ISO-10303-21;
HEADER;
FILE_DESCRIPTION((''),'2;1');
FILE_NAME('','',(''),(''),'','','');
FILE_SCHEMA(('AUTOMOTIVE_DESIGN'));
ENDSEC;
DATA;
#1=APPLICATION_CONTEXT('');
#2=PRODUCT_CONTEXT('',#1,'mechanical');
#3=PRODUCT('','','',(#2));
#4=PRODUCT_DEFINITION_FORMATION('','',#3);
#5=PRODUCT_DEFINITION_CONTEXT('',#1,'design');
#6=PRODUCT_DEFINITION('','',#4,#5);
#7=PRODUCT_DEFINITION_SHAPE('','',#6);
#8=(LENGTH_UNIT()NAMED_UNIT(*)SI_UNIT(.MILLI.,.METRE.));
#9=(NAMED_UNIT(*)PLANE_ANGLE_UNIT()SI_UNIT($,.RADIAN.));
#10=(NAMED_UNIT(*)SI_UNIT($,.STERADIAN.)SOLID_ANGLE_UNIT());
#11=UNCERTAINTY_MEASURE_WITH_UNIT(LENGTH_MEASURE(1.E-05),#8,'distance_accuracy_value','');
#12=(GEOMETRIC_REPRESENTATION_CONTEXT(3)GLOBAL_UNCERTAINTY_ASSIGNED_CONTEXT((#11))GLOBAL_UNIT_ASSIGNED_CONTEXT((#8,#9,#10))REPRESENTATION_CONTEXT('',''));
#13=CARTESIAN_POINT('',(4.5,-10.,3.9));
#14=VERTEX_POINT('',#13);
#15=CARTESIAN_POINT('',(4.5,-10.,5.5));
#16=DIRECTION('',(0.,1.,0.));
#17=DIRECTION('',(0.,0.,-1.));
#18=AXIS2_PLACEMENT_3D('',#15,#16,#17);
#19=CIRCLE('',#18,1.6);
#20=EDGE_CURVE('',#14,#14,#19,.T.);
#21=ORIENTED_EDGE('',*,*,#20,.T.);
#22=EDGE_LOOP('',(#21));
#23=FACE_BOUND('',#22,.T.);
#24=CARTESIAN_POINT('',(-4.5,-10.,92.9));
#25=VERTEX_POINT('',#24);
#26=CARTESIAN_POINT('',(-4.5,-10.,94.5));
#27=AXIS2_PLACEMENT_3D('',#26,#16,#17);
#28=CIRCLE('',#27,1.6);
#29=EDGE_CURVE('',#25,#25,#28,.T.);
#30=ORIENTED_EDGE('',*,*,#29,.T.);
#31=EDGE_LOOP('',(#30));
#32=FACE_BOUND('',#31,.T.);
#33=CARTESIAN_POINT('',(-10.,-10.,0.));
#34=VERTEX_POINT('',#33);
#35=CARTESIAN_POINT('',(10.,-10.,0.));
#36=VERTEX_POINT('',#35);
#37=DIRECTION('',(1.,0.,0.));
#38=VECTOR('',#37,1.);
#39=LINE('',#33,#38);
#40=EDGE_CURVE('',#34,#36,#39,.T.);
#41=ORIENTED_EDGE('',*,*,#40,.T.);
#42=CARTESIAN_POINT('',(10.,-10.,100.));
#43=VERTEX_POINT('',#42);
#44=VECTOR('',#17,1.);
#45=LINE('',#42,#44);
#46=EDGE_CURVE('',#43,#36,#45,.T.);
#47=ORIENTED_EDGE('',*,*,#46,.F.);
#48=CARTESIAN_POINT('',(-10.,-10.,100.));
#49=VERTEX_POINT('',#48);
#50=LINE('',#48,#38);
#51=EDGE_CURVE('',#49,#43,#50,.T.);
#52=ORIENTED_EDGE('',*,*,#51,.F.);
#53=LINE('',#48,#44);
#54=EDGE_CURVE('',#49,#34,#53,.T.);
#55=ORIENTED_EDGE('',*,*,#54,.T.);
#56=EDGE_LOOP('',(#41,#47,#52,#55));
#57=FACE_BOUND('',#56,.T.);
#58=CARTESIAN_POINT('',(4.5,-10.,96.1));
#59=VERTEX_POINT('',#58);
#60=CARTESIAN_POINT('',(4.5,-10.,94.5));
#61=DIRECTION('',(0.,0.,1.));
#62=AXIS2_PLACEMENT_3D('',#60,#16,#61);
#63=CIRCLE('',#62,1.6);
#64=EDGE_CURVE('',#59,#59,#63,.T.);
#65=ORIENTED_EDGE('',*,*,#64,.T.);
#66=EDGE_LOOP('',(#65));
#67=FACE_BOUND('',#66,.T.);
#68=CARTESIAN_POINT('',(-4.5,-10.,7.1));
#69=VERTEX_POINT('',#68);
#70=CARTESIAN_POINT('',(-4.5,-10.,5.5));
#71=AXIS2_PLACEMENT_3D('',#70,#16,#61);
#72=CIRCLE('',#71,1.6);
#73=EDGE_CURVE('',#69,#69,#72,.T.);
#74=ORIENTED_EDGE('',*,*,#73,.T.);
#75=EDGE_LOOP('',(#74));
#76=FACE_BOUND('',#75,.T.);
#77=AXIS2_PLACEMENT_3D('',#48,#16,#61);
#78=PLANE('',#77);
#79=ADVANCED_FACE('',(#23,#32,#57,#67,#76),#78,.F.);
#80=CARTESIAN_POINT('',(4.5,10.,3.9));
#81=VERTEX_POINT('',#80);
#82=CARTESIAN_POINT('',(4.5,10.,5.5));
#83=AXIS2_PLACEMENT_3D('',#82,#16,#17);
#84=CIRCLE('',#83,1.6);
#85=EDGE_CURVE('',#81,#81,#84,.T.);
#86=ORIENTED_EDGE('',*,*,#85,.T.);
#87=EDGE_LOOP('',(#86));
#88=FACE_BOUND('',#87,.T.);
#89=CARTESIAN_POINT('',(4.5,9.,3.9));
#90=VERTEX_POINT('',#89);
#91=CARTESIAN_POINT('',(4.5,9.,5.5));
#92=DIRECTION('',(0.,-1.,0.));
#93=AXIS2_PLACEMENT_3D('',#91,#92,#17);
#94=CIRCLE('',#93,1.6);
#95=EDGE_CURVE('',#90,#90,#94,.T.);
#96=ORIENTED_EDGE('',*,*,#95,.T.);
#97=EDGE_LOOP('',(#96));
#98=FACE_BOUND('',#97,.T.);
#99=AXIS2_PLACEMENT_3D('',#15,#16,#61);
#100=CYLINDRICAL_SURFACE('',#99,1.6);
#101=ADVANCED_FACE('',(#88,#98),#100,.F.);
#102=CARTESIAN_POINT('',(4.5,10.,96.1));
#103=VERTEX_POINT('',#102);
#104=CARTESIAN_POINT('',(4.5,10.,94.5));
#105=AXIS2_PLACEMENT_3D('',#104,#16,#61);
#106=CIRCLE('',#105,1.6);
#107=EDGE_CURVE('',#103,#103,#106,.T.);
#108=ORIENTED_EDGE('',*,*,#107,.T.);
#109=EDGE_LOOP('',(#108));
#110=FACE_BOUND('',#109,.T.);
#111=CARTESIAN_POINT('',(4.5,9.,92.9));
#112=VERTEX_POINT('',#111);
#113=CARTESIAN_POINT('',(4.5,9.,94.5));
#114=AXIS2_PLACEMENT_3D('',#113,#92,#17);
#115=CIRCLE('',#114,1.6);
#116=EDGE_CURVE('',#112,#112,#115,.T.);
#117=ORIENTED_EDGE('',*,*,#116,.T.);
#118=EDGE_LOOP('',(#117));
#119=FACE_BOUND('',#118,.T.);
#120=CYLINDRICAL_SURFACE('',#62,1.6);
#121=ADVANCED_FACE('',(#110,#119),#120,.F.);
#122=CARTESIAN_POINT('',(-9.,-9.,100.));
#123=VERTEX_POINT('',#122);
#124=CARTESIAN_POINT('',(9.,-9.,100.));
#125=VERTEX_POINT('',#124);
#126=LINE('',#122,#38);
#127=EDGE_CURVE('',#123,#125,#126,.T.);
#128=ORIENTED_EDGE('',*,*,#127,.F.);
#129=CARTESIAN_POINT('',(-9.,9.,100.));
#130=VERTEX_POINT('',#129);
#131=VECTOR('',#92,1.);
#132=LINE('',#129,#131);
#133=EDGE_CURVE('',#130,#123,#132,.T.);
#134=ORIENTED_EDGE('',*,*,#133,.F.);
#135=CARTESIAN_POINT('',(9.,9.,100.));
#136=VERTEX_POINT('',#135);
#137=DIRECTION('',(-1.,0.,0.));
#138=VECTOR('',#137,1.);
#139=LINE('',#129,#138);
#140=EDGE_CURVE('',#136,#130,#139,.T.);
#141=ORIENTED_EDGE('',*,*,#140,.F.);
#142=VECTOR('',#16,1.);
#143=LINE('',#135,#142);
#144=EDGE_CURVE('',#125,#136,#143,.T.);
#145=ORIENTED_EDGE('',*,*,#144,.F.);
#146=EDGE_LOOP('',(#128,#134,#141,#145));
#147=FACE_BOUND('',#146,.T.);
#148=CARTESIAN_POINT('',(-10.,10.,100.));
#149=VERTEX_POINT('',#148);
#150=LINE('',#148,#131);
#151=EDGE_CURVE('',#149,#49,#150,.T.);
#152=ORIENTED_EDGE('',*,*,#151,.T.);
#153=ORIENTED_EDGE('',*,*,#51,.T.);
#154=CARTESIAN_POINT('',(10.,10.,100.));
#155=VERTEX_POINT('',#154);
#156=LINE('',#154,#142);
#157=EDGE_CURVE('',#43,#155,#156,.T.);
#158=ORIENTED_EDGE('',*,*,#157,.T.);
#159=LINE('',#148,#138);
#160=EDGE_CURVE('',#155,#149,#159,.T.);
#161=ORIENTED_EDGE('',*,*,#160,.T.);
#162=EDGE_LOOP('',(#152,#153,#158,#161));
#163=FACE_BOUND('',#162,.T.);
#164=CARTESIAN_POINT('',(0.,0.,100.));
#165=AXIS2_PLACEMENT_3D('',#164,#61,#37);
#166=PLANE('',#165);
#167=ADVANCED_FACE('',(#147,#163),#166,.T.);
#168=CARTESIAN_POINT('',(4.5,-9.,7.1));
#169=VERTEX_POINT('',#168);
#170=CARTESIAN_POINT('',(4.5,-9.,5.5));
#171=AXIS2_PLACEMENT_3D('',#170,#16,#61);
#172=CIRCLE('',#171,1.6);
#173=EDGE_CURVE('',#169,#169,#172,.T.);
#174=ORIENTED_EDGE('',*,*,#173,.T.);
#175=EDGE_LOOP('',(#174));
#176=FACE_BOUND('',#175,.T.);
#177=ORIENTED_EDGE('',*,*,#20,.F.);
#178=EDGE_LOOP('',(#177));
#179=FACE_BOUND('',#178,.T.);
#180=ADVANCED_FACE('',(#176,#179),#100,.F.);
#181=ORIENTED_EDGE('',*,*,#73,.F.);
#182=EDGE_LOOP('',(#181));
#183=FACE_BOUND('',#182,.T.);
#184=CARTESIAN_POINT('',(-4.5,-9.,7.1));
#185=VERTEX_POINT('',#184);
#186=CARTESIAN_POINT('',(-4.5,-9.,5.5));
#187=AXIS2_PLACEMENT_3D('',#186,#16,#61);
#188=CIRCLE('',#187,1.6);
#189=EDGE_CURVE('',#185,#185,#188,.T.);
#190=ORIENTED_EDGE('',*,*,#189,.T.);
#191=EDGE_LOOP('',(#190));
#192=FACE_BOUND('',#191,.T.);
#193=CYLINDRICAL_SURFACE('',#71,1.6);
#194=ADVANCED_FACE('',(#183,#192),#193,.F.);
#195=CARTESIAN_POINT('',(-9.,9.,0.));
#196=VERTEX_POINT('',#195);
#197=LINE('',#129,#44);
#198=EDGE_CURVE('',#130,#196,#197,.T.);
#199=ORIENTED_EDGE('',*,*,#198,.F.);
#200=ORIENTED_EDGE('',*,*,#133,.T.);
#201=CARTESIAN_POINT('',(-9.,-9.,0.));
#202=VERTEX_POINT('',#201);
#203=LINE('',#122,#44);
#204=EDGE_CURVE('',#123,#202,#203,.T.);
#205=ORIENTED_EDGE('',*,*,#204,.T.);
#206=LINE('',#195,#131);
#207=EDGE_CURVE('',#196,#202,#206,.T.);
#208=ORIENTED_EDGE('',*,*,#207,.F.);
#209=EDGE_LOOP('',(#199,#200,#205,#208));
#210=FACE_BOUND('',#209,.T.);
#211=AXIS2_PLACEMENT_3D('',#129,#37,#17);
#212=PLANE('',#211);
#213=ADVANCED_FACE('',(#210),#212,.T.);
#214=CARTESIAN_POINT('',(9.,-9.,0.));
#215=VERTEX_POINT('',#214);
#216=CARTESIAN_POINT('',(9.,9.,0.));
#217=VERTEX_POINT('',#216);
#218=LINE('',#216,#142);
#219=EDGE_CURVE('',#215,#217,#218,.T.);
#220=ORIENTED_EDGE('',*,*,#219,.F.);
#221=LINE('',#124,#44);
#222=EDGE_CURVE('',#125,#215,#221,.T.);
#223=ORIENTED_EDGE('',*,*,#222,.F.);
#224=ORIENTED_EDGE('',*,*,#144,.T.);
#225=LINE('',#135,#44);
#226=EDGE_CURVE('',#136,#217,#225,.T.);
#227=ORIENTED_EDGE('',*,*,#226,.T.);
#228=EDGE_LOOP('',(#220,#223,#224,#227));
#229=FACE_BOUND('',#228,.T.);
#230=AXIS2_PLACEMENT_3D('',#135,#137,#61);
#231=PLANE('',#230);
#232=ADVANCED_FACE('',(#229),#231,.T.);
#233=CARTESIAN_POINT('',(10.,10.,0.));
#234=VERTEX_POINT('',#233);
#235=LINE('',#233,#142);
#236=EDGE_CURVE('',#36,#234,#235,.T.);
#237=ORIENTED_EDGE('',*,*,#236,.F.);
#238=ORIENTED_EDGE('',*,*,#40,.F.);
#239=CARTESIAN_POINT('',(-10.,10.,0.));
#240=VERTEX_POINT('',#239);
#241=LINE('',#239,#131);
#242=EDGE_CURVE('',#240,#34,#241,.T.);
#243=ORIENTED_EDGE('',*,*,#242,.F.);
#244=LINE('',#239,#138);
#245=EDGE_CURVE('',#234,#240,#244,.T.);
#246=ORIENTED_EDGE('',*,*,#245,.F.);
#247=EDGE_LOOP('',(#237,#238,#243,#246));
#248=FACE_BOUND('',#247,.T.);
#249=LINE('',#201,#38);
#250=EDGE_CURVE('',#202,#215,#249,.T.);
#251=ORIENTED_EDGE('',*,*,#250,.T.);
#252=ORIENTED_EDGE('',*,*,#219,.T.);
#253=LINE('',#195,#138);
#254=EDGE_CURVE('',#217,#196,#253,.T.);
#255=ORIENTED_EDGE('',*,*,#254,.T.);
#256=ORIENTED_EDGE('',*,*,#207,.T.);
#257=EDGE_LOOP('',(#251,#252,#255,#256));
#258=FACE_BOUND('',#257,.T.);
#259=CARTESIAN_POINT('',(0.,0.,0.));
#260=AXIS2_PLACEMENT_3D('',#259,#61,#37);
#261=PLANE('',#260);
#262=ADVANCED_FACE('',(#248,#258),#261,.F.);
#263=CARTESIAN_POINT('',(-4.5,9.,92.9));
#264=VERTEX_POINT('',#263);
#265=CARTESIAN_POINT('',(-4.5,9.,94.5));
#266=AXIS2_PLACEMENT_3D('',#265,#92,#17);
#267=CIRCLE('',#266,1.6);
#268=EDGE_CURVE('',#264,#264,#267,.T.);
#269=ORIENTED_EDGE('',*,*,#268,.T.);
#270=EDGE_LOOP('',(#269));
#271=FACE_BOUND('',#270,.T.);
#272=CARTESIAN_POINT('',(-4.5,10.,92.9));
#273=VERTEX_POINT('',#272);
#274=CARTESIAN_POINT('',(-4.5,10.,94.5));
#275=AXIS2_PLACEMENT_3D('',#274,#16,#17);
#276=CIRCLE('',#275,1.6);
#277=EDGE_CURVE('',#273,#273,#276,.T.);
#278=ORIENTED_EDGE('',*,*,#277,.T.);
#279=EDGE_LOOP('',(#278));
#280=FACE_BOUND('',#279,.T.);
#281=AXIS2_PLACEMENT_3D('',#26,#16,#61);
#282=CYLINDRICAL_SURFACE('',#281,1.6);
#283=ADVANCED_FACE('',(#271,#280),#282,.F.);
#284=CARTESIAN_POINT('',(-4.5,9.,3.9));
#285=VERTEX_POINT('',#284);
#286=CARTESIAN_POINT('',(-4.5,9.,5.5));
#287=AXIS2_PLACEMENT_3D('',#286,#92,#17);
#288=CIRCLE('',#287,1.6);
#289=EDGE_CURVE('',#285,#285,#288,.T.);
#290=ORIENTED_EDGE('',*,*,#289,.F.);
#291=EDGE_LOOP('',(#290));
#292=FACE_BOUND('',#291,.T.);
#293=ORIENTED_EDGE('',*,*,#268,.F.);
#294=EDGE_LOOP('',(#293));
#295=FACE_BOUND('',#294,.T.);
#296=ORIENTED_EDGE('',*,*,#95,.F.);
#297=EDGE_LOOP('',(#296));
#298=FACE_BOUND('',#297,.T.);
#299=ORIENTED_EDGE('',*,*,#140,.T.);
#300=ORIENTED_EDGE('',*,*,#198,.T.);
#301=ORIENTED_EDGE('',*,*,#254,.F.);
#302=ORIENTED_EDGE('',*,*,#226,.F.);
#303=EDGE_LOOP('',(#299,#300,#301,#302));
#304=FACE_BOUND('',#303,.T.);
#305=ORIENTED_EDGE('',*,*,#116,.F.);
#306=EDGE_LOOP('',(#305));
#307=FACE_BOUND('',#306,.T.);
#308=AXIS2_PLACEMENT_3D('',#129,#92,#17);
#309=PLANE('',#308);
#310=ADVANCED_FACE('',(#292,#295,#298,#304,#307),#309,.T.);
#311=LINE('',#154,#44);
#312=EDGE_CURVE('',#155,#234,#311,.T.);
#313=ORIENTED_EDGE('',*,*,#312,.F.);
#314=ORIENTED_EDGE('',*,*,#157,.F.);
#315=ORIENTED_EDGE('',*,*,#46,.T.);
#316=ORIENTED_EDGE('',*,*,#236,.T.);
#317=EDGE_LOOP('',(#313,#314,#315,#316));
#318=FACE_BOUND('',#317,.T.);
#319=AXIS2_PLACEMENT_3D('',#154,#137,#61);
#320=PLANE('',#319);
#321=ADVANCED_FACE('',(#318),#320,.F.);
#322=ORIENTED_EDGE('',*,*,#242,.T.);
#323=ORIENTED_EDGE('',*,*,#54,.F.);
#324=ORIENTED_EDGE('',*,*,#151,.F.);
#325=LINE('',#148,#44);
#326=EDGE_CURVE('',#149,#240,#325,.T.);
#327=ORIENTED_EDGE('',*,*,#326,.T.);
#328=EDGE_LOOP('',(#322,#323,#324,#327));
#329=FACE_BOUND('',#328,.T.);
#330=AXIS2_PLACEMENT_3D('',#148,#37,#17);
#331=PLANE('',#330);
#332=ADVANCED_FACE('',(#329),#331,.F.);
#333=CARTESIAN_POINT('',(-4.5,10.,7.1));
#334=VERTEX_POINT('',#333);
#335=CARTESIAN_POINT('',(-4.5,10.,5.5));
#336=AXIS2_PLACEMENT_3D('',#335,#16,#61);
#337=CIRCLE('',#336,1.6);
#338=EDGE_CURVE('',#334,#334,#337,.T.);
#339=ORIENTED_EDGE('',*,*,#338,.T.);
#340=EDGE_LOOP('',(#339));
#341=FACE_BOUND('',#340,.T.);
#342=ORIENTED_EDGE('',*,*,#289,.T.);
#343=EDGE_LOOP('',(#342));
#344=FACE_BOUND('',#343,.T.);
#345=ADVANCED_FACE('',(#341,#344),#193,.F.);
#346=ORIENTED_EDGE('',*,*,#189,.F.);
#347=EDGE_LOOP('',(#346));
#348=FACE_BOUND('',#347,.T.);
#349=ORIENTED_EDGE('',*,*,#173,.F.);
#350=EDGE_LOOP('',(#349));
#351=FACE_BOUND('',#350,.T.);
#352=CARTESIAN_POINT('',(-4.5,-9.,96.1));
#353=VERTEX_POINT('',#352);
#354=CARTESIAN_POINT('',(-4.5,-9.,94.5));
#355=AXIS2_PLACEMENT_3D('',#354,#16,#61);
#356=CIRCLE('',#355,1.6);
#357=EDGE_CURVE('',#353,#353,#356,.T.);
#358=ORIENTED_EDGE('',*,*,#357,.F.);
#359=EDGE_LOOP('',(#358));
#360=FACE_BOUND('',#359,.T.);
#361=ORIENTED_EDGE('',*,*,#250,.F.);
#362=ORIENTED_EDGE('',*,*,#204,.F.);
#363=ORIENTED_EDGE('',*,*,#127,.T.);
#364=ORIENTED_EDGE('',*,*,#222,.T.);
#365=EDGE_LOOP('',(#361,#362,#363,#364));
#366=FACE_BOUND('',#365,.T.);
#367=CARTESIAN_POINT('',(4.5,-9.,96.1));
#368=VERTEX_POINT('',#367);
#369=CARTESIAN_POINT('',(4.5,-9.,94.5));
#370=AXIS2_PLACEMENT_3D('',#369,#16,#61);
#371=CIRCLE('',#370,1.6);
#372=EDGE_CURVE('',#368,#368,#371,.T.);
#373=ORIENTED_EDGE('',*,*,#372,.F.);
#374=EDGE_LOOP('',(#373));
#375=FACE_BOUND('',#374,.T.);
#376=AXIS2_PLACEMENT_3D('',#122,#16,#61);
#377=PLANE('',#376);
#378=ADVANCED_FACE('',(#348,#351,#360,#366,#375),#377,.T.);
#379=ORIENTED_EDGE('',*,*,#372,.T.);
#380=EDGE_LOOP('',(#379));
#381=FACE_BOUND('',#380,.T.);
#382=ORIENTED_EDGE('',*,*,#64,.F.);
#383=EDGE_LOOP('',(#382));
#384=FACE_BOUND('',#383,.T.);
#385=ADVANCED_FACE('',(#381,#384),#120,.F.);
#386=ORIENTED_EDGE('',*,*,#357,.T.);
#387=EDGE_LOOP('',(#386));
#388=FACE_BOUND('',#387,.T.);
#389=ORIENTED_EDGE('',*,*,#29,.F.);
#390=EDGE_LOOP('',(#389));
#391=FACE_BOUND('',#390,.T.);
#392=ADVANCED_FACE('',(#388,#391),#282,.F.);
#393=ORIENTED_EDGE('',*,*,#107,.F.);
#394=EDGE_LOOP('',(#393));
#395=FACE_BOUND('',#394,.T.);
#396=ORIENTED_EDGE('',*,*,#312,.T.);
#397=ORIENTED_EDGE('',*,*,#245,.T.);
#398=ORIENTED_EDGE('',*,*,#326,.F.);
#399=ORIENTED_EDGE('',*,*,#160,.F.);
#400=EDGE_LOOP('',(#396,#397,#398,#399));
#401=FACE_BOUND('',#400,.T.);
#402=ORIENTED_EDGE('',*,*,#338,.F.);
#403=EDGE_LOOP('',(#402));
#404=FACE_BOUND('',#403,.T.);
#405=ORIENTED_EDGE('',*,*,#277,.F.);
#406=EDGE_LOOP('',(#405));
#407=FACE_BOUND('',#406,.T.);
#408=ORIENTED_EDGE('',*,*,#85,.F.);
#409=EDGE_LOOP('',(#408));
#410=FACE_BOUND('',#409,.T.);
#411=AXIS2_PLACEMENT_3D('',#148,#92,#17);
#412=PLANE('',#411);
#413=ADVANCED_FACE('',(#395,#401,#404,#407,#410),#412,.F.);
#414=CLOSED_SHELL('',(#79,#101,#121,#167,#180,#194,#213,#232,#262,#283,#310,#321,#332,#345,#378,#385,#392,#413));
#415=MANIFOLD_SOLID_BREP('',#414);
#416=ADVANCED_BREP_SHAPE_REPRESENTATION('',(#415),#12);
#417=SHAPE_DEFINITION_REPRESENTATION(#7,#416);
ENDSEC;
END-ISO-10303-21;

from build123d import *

# Parameters (mm, degrees)
SKETCH_1_W          = 20
SKETCH_1_H          = 20
SKETCH_1_W_2        = 18
SKETCH_1_H_2        = 18
EXTRUDE_1_DEPTH     = 100
SKETCH_2_R          = 1.6
CUT_EXTRUDE_1_DEPTH = 103.46950766


with BuildPart() as part:
    # 草图1 → 凸台-拉伸1 (new body)
    with BuildSketch(Plane.XY):
        Rectangle(SKETCH_1_W, SKETCH_1_H)
        Rectangle(SKETCH_1_W_2, SKETCH_1_H_2, mode=Mode.SUBTRACT)
    extrude(amount=EXTRUDE_1_DEPTH)

    # 草图2 → 切除-拉伸1 (cut, through all)
    with BuildSketch(Plane(origin=(0, 10, 0), x_dir=(1, 0, 0), z_dir=(0, 1, 0))):
        with Locations(Location((4.5, -94.5, 0), (0, 0, 270))):
            Circle(SKETCH_2_R)
        with Locations(Location((-4.5, -94.5, 0), (0, 0, 270))):
            Circle(SKETCH_2_R)
        with Locations(Location((-4.5, -5.5, 0), (0, 0, 270))):
            Circle(SKETCH_2_R)
        with Locations(Location((4.5, -5.5, 0), (0, 0, 270))):
            Circle(SKETCH_2_R)
    extrude(amount=-CUT_EXTRUDE_1_DEPTH, mode=Mode.SUBTRACT)


solid = part.part
